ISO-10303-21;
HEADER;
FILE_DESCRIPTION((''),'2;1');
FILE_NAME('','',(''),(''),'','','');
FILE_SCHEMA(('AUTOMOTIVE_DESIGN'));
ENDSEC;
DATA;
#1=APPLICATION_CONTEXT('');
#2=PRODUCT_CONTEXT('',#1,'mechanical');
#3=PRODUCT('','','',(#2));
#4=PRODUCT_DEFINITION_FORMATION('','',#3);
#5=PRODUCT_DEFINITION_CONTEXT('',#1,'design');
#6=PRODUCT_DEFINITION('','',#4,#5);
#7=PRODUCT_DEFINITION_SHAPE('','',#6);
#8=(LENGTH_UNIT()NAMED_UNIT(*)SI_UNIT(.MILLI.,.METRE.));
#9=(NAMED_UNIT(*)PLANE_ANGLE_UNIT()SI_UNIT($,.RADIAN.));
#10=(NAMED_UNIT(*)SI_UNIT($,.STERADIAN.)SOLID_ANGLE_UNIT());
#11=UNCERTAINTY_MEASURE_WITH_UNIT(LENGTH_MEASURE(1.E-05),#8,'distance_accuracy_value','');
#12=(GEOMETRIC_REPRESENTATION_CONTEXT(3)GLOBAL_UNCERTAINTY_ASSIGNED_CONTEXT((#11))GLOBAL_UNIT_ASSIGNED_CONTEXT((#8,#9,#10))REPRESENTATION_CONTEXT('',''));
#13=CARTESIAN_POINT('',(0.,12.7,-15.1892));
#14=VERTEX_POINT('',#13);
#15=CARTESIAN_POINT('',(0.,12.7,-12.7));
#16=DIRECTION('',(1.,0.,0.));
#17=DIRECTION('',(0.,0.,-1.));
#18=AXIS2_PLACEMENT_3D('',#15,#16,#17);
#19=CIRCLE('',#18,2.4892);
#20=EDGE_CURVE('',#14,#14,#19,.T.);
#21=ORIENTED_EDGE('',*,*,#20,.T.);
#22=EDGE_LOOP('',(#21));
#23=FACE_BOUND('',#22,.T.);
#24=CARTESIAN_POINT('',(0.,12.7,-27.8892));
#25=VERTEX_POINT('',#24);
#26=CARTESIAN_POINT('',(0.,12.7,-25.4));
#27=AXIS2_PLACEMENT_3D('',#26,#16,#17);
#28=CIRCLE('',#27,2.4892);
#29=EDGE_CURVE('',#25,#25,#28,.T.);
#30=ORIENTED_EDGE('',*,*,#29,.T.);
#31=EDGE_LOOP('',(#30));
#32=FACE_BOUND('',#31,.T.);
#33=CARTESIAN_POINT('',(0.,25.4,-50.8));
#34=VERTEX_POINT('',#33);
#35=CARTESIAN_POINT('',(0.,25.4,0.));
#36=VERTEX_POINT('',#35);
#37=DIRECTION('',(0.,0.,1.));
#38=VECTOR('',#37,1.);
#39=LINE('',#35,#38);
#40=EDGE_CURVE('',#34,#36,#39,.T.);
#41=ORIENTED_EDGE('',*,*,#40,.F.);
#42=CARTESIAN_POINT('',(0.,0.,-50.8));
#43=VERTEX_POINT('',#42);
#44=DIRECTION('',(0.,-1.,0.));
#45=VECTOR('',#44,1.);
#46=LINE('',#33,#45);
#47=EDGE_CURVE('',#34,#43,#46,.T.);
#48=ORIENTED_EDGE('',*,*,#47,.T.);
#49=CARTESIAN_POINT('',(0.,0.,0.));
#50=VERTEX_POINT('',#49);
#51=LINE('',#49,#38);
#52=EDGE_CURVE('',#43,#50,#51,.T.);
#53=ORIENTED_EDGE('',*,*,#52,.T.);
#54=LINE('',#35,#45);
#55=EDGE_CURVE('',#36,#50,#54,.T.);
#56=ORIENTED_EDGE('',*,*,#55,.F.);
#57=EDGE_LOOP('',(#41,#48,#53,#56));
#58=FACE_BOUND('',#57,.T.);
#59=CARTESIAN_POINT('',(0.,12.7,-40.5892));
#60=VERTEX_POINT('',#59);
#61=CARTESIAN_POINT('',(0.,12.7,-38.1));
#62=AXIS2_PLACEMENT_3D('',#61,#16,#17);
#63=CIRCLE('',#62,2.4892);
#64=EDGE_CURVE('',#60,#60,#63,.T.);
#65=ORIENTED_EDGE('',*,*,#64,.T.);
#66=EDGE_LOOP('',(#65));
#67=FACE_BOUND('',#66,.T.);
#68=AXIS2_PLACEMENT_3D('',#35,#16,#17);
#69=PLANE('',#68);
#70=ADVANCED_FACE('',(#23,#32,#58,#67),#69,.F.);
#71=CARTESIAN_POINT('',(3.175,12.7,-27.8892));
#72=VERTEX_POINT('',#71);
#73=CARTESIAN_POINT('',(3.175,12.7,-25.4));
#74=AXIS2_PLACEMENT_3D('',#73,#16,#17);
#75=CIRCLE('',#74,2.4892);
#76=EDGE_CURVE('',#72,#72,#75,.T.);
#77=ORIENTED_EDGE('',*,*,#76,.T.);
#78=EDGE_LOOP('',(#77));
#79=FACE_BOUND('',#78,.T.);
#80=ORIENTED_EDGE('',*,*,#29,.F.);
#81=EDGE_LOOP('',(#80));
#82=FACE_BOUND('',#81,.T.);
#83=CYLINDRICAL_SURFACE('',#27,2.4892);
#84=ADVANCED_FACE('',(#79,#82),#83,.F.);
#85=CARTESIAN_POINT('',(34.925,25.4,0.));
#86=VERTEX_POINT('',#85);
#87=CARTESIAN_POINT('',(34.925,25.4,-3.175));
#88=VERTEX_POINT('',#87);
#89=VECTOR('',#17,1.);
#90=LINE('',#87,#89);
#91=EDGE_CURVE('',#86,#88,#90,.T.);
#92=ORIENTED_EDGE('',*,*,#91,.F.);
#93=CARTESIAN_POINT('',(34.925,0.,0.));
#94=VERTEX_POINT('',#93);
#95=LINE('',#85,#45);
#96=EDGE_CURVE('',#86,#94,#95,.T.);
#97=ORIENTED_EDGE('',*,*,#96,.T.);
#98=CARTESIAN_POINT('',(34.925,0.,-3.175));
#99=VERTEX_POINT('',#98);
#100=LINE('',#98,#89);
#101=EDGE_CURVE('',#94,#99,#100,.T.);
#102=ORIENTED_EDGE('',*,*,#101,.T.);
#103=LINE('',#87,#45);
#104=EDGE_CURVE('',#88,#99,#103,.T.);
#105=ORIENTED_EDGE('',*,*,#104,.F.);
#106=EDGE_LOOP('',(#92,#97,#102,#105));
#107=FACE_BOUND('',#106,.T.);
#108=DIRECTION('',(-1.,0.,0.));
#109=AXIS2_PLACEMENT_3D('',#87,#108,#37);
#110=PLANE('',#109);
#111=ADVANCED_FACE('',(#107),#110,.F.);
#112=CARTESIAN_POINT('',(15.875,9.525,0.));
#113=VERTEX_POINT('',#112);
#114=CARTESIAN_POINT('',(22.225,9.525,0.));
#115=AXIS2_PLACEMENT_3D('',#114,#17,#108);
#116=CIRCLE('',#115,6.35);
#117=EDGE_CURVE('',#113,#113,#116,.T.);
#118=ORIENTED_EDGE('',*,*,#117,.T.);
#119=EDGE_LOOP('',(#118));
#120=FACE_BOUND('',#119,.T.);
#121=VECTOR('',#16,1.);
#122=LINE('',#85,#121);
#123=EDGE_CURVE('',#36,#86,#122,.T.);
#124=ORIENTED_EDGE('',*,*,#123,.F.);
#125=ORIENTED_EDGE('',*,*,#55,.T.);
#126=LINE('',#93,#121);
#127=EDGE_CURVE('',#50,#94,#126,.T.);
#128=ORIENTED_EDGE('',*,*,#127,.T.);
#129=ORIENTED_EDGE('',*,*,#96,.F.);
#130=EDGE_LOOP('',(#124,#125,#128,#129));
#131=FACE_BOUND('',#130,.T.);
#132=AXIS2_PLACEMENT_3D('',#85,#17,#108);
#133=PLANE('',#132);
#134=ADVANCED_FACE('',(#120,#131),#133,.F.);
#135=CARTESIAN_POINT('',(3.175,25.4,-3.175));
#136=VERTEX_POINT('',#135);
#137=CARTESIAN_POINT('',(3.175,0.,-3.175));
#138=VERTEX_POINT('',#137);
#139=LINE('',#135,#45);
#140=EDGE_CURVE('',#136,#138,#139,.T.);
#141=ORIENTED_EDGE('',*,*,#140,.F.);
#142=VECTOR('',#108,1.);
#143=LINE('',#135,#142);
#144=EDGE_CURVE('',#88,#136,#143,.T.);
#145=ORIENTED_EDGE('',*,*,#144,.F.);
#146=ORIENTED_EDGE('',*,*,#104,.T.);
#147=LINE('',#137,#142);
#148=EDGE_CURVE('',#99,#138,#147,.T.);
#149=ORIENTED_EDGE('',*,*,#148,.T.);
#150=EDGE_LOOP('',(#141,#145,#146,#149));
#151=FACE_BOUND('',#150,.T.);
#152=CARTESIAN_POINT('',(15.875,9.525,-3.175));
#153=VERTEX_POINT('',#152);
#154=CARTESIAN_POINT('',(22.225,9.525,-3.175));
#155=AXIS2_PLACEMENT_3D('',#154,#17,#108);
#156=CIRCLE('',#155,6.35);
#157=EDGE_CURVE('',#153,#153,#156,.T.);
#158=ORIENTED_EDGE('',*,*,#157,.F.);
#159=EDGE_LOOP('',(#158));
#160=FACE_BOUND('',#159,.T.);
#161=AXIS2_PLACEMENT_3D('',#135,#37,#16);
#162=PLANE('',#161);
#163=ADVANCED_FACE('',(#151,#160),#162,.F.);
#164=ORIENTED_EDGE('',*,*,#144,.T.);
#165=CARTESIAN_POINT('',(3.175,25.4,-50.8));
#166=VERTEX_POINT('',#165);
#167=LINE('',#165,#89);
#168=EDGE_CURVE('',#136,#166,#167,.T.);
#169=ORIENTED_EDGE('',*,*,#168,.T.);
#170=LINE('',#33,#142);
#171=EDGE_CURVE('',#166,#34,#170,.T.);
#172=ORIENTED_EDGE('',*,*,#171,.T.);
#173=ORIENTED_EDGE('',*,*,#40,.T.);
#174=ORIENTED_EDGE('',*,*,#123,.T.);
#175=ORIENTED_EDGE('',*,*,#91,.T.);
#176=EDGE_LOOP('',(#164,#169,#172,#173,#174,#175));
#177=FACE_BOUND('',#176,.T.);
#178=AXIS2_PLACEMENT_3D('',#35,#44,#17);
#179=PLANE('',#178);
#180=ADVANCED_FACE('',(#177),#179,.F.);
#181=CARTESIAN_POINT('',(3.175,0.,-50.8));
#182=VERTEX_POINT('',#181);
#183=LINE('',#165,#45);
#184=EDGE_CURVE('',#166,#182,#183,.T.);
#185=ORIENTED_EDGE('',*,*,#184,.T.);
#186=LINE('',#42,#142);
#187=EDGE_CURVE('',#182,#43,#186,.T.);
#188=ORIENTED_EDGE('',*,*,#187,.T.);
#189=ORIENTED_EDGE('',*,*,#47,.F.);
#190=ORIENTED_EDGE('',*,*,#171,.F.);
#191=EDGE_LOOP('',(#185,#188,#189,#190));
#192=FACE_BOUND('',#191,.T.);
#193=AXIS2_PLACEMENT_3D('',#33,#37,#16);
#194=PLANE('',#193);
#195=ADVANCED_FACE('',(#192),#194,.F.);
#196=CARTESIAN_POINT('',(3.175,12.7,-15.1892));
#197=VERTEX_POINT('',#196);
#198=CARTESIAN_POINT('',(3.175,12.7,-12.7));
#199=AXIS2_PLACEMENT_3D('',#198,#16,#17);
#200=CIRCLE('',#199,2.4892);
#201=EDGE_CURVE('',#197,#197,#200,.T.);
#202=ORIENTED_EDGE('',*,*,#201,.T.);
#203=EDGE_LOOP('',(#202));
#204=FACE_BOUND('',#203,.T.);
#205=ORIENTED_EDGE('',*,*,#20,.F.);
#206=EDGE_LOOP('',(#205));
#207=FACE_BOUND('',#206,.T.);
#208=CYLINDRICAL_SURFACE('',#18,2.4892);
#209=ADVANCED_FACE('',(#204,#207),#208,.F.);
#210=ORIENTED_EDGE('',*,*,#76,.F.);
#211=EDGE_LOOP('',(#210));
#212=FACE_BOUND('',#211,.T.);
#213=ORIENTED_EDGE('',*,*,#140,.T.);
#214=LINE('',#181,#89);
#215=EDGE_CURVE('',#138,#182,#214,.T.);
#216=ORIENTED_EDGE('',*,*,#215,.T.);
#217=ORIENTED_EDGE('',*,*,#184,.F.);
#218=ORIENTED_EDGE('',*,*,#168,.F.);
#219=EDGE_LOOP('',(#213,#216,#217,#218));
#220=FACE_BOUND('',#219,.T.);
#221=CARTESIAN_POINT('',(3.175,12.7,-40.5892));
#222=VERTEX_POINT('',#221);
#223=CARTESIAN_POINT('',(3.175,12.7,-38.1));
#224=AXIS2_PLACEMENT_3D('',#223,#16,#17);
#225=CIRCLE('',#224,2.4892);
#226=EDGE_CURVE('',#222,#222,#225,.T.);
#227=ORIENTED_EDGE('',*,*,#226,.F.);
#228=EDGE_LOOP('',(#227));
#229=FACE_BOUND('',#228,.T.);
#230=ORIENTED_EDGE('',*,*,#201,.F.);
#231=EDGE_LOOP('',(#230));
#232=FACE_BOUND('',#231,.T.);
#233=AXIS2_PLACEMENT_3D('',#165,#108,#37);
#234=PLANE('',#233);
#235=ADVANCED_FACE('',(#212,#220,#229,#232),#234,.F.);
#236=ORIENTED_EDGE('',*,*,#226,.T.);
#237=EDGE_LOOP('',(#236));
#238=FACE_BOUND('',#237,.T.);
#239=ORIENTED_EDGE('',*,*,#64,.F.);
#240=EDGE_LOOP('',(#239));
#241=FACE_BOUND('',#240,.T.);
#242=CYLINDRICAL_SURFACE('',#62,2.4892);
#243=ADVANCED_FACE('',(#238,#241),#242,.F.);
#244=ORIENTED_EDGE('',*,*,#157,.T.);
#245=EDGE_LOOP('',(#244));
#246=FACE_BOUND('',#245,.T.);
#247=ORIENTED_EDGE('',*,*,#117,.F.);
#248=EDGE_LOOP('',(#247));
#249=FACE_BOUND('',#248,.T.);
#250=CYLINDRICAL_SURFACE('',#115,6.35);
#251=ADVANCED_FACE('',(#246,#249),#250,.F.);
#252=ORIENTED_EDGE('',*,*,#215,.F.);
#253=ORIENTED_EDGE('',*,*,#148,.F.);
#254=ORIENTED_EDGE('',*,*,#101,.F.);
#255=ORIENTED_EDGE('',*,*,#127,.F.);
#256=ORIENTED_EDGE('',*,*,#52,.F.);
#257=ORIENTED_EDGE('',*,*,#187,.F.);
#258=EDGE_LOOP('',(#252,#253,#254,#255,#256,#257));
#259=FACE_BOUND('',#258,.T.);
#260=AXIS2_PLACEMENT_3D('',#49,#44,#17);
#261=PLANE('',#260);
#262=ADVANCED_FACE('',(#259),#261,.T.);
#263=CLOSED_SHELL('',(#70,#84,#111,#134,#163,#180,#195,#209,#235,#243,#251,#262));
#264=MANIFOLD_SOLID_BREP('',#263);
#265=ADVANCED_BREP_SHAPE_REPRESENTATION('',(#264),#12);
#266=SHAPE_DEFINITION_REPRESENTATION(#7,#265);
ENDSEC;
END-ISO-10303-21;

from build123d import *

# Parameters (mm, degrees)
BOSS_EXTRUDE1_DEPTH = 25.4
SKETCH3_R           = 6.35
CUT_EXTRUDE1_DEPTH  = 65.288850122
SKETCH4_R           = 2.4892
CUT_EXTRUDE2_DEPTH  = 66.068137364


with BuildPart() as part:
    # Sketch2 → Boss-Extrude1 (new body)
    with BuildSketch(Plane(origin=(0, 0, 0), x_dir=(1, 0, 0), z_dir=(0, 1, 0))):
        Polygon((0, 0), (0, 50.8), (3.175, 50.8), (3.175, 3.175), (34.925, 3.175), (34.925, 0), align=None)
    extrude(amount=BOSS_EXTRUDE1_DEPTH)

    # Sketch3 → Cut-Extrude1 (cut, through all)
    with BuildSketch(Plane(origin=(0, 0, -3.175), x_dir=(-1, 0, 0), z_dir=(0, 0, -1))):
        with Locations((-22.225, 9.525)):
            Circle(SKETCH3_R)
    extrude(amount=-CUT_EXTRUDE1_DEPTH, mode=Mode.SUBTRACT)

    # Sketch4 → Cut-Extrude2 (cut, through all)
    with BuildSketch(Plane(origin=(3.175, 0, 0), x_dir=(0, 0, -1), z_dir=(1, 0, 0))):
        with Locations((25.4, 12.7)):
            Circle(SKETCH4_R)
        with Locations((12.7, 12.7)):
            Circle(SKETCH4_R)
        with Locations((38.1, 12.7)):
            Circle(SKETCH4_R)
    extrude(amount=-CUT_EXTRUDE2_DEPTH, mode=Mode.SUBTRACT)


solid = part.part
